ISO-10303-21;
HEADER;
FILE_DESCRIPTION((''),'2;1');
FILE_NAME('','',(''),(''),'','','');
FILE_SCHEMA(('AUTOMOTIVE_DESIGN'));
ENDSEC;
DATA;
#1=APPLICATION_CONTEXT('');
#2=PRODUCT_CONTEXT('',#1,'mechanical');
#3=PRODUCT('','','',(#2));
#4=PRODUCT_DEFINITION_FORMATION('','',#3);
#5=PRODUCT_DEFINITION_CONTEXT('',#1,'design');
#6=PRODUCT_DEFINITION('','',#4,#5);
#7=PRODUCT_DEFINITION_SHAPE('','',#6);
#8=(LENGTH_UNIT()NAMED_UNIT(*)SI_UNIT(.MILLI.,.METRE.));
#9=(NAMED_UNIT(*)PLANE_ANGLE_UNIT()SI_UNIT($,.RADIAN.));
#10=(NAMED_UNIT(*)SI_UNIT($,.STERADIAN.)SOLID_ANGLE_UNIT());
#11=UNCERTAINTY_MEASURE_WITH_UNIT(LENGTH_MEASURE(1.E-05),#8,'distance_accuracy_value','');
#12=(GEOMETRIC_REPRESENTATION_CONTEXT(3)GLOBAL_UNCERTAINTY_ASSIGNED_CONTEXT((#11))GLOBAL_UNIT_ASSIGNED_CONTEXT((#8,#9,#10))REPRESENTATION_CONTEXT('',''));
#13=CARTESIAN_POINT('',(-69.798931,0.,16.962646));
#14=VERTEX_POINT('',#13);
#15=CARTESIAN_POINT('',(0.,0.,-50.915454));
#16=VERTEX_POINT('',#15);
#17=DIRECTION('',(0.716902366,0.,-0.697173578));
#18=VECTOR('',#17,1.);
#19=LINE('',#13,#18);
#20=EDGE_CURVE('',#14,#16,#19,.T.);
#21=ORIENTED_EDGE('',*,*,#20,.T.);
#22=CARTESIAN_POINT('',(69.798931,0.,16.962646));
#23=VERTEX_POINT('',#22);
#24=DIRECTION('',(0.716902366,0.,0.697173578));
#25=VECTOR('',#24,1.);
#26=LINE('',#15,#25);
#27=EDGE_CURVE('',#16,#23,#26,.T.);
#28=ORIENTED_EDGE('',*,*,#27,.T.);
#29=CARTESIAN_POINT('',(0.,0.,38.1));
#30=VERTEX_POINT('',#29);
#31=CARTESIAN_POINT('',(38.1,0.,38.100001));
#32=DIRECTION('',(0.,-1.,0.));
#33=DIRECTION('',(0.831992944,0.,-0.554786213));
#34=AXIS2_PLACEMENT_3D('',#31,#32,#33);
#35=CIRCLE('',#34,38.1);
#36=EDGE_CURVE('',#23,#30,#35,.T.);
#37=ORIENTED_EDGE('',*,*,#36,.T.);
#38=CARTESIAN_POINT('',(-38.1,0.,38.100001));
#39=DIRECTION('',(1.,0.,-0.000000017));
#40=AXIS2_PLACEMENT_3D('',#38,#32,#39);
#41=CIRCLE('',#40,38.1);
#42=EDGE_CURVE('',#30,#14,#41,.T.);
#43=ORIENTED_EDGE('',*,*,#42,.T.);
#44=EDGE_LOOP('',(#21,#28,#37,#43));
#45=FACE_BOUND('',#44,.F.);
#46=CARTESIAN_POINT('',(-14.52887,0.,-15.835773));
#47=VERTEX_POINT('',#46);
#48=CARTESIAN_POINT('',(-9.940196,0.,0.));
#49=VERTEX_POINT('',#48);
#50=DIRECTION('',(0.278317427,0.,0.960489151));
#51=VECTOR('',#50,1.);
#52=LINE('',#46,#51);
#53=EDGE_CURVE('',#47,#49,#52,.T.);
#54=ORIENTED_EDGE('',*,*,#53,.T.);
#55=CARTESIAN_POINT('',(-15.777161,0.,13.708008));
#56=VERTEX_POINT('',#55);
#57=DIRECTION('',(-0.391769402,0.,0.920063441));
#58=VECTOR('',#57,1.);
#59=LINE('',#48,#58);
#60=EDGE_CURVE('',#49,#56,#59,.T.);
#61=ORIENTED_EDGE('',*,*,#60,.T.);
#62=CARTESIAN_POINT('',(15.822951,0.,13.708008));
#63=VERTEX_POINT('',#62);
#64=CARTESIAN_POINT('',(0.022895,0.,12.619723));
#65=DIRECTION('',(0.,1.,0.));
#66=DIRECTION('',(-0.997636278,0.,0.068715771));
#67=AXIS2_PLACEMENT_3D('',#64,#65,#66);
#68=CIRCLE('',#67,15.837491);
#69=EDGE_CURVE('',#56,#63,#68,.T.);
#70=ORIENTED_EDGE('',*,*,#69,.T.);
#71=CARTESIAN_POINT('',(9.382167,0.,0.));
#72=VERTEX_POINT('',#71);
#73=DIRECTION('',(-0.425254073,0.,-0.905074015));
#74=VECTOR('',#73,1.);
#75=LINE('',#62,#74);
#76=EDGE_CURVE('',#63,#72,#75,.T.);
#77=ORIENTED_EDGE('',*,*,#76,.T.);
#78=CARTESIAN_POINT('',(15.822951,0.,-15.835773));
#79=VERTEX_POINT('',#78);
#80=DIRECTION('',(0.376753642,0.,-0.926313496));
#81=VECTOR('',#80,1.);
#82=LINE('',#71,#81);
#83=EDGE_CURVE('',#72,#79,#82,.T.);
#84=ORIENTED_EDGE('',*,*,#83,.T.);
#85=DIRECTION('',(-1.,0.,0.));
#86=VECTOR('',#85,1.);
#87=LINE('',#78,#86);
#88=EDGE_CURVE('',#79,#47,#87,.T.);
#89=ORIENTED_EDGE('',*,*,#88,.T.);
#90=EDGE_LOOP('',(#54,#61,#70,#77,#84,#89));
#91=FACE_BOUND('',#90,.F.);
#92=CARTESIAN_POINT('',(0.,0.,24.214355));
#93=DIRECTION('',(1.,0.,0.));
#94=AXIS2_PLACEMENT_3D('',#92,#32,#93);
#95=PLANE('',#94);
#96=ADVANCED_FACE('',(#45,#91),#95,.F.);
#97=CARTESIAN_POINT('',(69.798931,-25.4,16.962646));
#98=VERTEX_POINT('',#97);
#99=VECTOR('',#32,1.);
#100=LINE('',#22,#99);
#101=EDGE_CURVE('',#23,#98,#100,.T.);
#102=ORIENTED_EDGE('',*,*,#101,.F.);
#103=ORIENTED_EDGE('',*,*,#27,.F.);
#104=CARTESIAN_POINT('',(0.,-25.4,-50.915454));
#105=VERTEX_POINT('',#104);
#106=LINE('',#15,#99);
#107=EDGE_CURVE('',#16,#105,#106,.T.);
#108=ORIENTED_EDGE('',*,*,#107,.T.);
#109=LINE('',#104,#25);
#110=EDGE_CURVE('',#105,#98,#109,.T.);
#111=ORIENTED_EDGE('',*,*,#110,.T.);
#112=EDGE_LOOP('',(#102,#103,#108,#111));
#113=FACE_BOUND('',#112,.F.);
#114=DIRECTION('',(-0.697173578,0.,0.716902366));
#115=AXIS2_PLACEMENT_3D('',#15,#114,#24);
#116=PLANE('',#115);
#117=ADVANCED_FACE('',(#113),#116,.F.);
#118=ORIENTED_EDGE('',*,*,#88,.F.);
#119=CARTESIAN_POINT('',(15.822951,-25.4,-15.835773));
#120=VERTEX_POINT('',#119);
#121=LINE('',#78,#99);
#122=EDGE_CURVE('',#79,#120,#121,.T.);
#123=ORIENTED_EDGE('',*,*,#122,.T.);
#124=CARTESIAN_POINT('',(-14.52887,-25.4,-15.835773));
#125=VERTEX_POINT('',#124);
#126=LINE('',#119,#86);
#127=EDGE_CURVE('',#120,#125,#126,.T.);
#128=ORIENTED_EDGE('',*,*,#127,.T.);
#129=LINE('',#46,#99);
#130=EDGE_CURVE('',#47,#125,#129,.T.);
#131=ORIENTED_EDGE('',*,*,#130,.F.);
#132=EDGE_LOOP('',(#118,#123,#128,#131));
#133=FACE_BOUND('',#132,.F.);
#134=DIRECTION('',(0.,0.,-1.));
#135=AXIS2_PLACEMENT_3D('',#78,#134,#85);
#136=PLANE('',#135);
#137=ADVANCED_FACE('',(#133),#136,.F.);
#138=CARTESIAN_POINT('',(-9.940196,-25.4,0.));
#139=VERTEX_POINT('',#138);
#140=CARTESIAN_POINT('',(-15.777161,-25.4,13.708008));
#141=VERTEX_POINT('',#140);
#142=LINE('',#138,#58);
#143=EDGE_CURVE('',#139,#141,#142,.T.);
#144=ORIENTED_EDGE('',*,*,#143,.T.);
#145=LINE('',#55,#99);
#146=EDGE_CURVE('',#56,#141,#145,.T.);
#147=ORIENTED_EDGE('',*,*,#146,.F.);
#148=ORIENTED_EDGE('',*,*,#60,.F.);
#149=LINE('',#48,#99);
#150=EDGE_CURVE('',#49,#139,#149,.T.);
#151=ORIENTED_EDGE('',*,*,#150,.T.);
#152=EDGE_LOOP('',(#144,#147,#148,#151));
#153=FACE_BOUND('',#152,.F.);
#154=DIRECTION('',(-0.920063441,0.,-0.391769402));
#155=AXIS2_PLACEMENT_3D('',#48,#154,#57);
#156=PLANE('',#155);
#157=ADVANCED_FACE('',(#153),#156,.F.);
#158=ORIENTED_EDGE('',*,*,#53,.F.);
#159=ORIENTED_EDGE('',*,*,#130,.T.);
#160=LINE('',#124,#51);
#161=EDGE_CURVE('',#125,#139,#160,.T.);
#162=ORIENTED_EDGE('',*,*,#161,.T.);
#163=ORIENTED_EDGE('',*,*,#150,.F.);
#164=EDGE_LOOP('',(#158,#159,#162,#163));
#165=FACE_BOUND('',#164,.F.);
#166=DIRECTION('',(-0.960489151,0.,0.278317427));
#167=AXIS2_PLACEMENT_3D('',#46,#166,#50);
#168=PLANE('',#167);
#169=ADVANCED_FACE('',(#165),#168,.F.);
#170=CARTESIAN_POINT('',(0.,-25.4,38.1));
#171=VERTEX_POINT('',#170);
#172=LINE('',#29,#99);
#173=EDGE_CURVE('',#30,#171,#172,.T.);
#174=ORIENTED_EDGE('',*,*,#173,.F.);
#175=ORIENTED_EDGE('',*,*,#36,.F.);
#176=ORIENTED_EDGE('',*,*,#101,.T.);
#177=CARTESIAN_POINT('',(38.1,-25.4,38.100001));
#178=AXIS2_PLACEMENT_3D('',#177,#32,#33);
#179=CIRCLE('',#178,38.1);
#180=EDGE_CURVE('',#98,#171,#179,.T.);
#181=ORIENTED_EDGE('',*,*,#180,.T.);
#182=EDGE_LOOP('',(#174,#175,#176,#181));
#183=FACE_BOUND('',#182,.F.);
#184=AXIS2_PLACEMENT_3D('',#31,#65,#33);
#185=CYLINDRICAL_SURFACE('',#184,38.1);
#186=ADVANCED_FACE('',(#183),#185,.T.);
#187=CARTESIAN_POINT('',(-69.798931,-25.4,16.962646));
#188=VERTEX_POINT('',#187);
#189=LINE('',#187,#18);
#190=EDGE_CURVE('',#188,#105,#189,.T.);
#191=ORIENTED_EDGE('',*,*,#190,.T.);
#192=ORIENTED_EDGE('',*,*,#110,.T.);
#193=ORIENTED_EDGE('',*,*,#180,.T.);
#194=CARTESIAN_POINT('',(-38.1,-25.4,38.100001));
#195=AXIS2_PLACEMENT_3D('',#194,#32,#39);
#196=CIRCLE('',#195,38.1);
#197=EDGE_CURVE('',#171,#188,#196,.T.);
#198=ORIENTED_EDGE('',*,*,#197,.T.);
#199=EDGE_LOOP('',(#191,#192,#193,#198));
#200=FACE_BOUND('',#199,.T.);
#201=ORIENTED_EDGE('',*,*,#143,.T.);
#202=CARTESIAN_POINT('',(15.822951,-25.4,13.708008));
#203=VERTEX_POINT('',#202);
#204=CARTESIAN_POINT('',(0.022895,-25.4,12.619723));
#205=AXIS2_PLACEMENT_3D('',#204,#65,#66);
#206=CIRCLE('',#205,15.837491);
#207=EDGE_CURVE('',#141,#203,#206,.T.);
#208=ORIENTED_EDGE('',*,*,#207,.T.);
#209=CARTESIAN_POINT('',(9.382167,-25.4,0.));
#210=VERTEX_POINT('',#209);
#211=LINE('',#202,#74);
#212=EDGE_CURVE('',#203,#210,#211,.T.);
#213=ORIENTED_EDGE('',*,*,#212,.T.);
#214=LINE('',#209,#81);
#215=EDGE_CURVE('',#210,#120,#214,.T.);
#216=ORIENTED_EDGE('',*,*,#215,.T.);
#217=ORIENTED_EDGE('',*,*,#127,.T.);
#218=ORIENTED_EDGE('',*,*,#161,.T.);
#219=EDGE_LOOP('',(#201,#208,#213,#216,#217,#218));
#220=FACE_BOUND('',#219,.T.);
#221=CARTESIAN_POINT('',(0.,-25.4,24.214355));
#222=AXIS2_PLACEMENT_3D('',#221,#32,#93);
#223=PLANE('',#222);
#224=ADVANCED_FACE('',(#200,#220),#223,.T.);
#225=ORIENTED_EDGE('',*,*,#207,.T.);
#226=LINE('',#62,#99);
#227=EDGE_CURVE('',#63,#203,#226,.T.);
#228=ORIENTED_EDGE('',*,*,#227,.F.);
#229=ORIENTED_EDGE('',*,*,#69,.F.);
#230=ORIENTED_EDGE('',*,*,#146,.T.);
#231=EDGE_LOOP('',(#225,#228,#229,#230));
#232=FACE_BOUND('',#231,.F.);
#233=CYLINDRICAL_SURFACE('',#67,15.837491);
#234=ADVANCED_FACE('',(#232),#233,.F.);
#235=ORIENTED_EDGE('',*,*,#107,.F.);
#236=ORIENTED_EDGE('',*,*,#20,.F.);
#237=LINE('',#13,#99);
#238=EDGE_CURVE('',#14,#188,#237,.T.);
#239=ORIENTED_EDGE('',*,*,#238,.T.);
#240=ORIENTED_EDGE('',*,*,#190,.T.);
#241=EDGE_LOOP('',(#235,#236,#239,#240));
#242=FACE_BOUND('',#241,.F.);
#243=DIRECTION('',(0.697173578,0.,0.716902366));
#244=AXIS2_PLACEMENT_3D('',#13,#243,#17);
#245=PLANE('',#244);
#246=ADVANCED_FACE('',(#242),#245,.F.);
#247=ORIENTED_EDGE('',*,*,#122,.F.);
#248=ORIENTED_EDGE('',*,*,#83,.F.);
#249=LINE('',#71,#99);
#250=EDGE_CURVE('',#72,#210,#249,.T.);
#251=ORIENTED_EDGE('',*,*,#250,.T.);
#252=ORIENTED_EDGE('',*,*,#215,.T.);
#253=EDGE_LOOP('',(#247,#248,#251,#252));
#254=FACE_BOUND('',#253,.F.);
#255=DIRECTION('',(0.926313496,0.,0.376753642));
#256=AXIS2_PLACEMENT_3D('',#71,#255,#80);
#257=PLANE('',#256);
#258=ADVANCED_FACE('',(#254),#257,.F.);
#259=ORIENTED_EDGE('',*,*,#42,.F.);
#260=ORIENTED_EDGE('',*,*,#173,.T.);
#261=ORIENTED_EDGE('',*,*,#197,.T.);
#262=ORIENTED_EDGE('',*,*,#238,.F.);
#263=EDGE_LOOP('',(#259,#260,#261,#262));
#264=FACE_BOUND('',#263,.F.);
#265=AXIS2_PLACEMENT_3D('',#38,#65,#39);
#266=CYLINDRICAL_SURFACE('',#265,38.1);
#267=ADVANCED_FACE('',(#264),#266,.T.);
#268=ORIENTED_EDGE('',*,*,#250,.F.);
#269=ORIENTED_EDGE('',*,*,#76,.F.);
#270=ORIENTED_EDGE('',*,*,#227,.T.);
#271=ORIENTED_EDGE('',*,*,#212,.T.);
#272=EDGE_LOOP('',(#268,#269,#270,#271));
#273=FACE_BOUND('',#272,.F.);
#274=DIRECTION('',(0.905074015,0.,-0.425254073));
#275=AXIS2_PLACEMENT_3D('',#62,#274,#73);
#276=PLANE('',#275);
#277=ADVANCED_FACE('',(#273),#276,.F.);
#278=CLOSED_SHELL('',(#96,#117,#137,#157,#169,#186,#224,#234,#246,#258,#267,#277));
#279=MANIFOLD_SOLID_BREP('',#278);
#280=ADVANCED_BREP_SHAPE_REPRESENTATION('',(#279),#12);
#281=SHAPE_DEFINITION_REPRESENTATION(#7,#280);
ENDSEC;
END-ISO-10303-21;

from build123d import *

# Parameters (mm, degrees)
F1_DEPTH = 25.4


with BuildPart() as f1:
    # F0 (on Front) → F1 (new body)
    with BuildSketch(Plane.XZ):
        with BuildLine():
            ThreePointArc((69.798931, 16.962646), (49.142661, 74.564636), (0, 38.1))
            ThreePointArc((0, 38.1), (-49.142661, 74.564636), (-69.798931, 16.962646))
            Line((-69.798931, 16.962646), (0, -50.915454))
            Line((0, -50.915454), (69.798931, 16.962646))
        make_face()
        with BuildLine():
            ThreePointArc((-15.777161, 13.708008), (0.022895, 28.457214), (15.822951, 13.708008))
            Line((15.822951, 13.708008), (9.382167, 0))
            Line((9.382167, 0), (15.822951, -15.835773))
            Line((15.822951, -15.835773), (-14.52887, -15.835773))
            Line((-14.52887, -15.835773), (-9.940196, 0))
            Line((-9.940196, 0), (-15.777161, 13.708008))
        make_face(mode=Mode.SUBTRACT)
    extrude(amount=F1_DEPTH)


solid = f1.part
